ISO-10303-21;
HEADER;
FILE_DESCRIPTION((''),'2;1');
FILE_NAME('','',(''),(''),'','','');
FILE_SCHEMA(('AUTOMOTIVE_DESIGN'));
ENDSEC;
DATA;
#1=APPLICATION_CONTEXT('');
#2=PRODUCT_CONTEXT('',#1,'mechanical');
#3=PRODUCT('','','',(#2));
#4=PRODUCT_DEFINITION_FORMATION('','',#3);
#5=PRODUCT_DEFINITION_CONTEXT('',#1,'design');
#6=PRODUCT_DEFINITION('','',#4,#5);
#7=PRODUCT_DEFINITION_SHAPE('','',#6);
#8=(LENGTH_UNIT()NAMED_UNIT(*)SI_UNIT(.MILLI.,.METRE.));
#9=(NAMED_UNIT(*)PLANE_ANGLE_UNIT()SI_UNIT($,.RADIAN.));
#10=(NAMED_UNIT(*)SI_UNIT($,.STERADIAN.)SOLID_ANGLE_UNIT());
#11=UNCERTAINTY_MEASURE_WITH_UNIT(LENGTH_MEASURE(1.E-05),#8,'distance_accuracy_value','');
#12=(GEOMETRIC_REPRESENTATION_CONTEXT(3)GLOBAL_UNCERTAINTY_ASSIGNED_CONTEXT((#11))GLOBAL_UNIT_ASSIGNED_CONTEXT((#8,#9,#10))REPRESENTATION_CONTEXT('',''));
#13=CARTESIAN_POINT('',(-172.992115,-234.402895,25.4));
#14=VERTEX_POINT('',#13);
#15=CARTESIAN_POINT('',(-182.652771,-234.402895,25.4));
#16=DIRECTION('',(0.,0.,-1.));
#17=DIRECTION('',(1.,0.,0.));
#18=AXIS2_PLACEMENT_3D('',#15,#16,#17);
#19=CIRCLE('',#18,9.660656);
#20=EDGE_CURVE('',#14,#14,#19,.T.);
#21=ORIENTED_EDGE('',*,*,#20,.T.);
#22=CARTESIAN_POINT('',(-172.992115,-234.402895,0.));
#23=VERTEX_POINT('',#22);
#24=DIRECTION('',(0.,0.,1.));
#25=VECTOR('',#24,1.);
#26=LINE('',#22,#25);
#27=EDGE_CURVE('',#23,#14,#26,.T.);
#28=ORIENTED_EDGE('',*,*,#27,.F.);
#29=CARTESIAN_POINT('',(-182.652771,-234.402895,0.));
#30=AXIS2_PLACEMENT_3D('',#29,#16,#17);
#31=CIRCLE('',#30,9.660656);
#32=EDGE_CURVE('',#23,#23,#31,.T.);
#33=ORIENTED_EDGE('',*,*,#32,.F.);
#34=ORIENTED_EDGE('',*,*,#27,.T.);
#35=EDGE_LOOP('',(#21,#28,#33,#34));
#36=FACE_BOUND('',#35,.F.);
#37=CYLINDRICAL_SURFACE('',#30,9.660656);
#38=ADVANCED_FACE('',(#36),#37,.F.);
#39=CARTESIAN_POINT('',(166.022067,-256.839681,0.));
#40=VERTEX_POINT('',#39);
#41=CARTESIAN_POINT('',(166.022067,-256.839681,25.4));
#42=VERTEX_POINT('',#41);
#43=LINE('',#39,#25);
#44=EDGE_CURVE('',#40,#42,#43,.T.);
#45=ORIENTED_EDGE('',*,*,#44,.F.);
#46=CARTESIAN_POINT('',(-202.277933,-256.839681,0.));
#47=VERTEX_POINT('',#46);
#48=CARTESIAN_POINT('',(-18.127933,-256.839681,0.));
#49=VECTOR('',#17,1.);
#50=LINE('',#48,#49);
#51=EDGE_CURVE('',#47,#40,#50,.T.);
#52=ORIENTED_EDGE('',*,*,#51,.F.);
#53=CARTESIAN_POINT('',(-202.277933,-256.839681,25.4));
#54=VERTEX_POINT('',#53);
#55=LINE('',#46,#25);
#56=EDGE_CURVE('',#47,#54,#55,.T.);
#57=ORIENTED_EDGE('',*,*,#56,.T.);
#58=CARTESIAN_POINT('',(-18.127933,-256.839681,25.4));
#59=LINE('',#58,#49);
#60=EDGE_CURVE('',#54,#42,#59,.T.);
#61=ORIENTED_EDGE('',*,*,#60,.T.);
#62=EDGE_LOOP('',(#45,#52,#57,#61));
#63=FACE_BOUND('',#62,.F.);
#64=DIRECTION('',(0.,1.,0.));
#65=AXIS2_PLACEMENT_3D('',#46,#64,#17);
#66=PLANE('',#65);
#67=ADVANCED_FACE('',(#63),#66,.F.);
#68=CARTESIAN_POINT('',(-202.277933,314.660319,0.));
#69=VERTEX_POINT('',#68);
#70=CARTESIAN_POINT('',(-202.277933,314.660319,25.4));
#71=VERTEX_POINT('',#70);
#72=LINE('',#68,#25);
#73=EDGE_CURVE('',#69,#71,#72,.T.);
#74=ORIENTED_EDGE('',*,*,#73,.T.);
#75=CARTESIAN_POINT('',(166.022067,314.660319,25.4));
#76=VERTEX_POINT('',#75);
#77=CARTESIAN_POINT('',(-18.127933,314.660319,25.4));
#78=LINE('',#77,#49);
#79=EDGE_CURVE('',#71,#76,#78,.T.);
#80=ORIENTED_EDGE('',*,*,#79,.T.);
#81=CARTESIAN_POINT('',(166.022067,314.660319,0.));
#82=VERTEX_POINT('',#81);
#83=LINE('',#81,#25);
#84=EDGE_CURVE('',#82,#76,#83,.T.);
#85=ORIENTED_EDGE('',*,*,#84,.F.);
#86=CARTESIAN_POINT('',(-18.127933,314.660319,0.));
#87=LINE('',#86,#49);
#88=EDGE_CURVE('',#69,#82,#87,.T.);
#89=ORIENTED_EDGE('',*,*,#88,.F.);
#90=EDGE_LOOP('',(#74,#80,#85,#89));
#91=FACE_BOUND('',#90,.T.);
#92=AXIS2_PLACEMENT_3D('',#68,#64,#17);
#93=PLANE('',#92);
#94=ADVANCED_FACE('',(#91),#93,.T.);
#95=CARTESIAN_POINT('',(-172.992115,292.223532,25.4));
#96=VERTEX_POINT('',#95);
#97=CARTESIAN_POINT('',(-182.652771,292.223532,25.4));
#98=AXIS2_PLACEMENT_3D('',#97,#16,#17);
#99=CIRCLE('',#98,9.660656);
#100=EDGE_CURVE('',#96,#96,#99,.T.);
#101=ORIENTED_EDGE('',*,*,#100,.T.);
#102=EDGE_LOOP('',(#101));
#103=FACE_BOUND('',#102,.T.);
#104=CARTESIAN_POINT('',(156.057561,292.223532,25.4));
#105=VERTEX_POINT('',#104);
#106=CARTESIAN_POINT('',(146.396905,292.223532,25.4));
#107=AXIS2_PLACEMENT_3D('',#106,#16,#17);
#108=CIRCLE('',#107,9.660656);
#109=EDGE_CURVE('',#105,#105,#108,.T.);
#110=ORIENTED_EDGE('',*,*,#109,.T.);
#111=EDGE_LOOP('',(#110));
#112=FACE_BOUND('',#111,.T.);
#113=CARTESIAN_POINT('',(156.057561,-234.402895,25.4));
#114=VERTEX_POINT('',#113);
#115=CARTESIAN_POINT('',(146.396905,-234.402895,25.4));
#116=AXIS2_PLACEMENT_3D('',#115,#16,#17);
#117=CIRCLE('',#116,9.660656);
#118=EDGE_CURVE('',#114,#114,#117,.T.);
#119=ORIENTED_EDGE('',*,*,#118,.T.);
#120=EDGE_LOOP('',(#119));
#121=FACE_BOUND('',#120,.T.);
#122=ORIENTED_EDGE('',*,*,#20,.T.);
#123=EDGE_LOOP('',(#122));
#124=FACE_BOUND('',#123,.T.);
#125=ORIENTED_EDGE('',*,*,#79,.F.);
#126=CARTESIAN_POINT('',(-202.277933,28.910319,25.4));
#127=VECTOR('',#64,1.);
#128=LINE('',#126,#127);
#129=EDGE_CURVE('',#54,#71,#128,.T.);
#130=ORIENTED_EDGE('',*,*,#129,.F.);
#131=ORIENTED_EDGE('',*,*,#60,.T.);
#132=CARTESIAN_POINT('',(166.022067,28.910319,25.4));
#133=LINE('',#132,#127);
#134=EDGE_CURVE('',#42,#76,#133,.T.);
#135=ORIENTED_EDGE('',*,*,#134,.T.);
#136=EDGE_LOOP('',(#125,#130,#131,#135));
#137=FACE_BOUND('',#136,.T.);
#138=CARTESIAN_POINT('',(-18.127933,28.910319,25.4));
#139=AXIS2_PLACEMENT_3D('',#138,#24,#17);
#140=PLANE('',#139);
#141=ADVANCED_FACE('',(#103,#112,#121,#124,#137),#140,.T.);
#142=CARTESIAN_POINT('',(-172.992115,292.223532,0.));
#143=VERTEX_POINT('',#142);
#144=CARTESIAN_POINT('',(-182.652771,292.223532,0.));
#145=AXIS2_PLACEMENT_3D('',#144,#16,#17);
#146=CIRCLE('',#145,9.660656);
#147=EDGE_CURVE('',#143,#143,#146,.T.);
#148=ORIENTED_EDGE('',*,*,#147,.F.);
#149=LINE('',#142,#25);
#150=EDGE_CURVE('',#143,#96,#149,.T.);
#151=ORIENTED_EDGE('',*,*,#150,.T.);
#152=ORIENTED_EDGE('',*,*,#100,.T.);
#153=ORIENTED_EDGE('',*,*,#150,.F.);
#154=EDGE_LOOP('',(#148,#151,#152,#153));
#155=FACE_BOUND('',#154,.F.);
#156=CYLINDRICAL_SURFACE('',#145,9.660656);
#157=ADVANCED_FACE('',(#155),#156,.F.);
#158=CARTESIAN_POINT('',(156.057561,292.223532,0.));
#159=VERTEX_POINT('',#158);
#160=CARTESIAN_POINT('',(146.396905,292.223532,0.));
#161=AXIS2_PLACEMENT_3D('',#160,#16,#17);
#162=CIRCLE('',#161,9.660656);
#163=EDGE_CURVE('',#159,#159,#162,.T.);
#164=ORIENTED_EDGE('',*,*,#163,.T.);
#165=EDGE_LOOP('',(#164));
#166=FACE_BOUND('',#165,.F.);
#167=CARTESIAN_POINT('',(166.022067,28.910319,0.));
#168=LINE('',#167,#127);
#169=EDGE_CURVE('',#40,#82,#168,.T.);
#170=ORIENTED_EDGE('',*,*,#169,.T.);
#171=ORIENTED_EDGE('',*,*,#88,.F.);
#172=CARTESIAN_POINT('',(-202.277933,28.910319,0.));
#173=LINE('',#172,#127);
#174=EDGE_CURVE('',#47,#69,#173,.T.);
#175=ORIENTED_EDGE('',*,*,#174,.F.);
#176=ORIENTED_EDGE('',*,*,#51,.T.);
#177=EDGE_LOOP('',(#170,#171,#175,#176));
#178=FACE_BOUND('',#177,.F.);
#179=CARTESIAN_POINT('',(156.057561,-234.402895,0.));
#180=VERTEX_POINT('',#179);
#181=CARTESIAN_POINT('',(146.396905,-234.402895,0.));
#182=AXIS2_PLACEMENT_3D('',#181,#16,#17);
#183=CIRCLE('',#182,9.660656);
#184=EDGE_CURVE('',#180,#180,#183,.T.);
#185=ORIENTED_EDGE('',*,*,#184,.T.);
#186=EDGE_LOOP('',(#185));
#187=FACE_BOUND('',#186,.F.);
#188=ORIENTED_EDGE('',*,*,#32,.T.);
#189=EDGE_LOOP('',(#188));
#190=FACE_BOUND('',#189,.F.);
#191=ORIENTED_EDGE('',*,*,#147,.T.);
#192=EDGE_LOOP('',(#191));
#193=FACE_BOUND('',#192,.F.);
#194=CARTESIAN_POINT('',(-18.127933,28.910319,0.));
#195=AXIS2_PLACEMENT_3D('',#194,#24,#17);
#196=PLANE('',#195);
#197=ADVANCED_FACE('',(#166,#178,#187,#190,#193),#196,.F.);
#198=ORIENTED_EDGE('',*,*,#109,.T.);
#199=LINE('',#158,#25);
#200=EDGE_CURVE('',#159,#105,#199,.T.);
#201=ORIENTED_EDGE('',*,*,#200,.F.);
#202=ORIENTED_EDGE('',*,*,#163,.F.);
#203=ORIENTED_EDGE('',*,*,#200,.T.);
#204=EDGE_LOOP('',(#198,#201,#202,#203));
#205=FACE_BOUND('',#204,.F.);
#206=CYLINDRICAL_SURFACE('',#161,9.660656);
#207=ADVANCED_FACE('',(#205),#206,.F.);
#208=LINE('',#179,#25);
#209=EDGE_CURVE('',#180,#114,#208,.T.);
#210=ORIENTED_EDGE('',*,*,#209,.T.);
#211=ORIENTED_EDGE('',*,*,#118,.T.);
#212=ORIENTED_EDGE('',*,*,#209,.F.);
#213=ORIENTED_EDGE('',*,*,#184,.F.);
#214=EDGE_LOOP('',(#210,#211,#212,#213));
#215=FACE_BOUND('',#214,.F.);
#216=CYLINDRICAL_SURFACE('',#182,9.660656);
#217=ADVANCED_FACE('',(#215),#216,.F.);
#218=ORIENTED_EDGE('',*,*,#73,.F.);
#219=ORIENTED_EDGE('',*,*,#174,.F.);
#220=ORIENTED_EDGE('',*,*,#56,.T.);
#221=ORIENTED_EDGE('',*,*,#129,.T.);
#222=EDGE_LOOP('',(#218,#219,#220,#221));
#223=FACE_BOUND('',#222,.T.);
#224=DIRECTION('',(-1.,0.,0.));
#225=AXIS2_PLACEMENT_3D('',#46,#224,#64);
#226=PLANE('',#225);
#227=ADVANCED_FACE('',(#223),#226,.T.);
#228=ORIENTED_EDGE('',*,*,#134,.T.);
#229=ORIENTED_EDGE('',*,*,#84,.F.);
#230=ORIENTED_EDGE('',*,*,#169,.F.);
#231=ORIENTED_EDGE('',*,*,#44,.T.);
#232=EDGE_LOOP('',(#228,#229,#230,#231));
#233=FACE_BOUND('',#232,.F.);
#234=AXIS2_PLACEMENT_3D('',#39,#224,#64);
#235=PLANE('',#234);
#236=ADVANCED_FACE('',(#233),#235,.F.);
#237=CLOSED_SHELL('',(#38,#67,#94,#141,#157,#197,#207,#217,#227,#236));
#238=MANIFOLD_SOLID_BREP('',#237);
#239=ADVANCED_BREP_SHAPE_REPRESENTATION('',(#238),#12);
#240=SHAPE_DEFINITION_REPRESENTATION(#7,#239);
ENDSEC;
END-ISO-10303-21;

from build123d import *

# Parameters (mm, degrees)
F0_W     = 368.3
F0_H     = 571.5
F1_DEPTH = 25.4
F2_R     = 9.660656
F3_DEPTH = 25.4


with BuildPart() as f1:
    # F0 (on Top) → F1 (new body)
    with BuildSketch(Plane.XY):
        with Locations((-18.127933, 28.910319)):
            Rectangle(F0_W, F0_H)
    extrude(amount=F1_DEPTH)

    # F2 (on face) → F3 (cut)
    with BuildSketch(Plane(origin=(0, 0, 0), x_dir=(1, 0, 0), z_dir=(0, 0, -1))):
        with Locations((-182.652771, 234.402895)):
            Circle(F2_R)
        with Locations((146.396905, 234.402895)):
            Circle(F2_R)
        with Locations((-182.652771, -292.223532)):
            Circle(F2_R)
        with Locations((146.396905, -292.223532)):
            Circle(F2_R)
    extrude(amount=-F3_DEPTH, mode=Mode.SUBTRACT)


solid = f1.part
